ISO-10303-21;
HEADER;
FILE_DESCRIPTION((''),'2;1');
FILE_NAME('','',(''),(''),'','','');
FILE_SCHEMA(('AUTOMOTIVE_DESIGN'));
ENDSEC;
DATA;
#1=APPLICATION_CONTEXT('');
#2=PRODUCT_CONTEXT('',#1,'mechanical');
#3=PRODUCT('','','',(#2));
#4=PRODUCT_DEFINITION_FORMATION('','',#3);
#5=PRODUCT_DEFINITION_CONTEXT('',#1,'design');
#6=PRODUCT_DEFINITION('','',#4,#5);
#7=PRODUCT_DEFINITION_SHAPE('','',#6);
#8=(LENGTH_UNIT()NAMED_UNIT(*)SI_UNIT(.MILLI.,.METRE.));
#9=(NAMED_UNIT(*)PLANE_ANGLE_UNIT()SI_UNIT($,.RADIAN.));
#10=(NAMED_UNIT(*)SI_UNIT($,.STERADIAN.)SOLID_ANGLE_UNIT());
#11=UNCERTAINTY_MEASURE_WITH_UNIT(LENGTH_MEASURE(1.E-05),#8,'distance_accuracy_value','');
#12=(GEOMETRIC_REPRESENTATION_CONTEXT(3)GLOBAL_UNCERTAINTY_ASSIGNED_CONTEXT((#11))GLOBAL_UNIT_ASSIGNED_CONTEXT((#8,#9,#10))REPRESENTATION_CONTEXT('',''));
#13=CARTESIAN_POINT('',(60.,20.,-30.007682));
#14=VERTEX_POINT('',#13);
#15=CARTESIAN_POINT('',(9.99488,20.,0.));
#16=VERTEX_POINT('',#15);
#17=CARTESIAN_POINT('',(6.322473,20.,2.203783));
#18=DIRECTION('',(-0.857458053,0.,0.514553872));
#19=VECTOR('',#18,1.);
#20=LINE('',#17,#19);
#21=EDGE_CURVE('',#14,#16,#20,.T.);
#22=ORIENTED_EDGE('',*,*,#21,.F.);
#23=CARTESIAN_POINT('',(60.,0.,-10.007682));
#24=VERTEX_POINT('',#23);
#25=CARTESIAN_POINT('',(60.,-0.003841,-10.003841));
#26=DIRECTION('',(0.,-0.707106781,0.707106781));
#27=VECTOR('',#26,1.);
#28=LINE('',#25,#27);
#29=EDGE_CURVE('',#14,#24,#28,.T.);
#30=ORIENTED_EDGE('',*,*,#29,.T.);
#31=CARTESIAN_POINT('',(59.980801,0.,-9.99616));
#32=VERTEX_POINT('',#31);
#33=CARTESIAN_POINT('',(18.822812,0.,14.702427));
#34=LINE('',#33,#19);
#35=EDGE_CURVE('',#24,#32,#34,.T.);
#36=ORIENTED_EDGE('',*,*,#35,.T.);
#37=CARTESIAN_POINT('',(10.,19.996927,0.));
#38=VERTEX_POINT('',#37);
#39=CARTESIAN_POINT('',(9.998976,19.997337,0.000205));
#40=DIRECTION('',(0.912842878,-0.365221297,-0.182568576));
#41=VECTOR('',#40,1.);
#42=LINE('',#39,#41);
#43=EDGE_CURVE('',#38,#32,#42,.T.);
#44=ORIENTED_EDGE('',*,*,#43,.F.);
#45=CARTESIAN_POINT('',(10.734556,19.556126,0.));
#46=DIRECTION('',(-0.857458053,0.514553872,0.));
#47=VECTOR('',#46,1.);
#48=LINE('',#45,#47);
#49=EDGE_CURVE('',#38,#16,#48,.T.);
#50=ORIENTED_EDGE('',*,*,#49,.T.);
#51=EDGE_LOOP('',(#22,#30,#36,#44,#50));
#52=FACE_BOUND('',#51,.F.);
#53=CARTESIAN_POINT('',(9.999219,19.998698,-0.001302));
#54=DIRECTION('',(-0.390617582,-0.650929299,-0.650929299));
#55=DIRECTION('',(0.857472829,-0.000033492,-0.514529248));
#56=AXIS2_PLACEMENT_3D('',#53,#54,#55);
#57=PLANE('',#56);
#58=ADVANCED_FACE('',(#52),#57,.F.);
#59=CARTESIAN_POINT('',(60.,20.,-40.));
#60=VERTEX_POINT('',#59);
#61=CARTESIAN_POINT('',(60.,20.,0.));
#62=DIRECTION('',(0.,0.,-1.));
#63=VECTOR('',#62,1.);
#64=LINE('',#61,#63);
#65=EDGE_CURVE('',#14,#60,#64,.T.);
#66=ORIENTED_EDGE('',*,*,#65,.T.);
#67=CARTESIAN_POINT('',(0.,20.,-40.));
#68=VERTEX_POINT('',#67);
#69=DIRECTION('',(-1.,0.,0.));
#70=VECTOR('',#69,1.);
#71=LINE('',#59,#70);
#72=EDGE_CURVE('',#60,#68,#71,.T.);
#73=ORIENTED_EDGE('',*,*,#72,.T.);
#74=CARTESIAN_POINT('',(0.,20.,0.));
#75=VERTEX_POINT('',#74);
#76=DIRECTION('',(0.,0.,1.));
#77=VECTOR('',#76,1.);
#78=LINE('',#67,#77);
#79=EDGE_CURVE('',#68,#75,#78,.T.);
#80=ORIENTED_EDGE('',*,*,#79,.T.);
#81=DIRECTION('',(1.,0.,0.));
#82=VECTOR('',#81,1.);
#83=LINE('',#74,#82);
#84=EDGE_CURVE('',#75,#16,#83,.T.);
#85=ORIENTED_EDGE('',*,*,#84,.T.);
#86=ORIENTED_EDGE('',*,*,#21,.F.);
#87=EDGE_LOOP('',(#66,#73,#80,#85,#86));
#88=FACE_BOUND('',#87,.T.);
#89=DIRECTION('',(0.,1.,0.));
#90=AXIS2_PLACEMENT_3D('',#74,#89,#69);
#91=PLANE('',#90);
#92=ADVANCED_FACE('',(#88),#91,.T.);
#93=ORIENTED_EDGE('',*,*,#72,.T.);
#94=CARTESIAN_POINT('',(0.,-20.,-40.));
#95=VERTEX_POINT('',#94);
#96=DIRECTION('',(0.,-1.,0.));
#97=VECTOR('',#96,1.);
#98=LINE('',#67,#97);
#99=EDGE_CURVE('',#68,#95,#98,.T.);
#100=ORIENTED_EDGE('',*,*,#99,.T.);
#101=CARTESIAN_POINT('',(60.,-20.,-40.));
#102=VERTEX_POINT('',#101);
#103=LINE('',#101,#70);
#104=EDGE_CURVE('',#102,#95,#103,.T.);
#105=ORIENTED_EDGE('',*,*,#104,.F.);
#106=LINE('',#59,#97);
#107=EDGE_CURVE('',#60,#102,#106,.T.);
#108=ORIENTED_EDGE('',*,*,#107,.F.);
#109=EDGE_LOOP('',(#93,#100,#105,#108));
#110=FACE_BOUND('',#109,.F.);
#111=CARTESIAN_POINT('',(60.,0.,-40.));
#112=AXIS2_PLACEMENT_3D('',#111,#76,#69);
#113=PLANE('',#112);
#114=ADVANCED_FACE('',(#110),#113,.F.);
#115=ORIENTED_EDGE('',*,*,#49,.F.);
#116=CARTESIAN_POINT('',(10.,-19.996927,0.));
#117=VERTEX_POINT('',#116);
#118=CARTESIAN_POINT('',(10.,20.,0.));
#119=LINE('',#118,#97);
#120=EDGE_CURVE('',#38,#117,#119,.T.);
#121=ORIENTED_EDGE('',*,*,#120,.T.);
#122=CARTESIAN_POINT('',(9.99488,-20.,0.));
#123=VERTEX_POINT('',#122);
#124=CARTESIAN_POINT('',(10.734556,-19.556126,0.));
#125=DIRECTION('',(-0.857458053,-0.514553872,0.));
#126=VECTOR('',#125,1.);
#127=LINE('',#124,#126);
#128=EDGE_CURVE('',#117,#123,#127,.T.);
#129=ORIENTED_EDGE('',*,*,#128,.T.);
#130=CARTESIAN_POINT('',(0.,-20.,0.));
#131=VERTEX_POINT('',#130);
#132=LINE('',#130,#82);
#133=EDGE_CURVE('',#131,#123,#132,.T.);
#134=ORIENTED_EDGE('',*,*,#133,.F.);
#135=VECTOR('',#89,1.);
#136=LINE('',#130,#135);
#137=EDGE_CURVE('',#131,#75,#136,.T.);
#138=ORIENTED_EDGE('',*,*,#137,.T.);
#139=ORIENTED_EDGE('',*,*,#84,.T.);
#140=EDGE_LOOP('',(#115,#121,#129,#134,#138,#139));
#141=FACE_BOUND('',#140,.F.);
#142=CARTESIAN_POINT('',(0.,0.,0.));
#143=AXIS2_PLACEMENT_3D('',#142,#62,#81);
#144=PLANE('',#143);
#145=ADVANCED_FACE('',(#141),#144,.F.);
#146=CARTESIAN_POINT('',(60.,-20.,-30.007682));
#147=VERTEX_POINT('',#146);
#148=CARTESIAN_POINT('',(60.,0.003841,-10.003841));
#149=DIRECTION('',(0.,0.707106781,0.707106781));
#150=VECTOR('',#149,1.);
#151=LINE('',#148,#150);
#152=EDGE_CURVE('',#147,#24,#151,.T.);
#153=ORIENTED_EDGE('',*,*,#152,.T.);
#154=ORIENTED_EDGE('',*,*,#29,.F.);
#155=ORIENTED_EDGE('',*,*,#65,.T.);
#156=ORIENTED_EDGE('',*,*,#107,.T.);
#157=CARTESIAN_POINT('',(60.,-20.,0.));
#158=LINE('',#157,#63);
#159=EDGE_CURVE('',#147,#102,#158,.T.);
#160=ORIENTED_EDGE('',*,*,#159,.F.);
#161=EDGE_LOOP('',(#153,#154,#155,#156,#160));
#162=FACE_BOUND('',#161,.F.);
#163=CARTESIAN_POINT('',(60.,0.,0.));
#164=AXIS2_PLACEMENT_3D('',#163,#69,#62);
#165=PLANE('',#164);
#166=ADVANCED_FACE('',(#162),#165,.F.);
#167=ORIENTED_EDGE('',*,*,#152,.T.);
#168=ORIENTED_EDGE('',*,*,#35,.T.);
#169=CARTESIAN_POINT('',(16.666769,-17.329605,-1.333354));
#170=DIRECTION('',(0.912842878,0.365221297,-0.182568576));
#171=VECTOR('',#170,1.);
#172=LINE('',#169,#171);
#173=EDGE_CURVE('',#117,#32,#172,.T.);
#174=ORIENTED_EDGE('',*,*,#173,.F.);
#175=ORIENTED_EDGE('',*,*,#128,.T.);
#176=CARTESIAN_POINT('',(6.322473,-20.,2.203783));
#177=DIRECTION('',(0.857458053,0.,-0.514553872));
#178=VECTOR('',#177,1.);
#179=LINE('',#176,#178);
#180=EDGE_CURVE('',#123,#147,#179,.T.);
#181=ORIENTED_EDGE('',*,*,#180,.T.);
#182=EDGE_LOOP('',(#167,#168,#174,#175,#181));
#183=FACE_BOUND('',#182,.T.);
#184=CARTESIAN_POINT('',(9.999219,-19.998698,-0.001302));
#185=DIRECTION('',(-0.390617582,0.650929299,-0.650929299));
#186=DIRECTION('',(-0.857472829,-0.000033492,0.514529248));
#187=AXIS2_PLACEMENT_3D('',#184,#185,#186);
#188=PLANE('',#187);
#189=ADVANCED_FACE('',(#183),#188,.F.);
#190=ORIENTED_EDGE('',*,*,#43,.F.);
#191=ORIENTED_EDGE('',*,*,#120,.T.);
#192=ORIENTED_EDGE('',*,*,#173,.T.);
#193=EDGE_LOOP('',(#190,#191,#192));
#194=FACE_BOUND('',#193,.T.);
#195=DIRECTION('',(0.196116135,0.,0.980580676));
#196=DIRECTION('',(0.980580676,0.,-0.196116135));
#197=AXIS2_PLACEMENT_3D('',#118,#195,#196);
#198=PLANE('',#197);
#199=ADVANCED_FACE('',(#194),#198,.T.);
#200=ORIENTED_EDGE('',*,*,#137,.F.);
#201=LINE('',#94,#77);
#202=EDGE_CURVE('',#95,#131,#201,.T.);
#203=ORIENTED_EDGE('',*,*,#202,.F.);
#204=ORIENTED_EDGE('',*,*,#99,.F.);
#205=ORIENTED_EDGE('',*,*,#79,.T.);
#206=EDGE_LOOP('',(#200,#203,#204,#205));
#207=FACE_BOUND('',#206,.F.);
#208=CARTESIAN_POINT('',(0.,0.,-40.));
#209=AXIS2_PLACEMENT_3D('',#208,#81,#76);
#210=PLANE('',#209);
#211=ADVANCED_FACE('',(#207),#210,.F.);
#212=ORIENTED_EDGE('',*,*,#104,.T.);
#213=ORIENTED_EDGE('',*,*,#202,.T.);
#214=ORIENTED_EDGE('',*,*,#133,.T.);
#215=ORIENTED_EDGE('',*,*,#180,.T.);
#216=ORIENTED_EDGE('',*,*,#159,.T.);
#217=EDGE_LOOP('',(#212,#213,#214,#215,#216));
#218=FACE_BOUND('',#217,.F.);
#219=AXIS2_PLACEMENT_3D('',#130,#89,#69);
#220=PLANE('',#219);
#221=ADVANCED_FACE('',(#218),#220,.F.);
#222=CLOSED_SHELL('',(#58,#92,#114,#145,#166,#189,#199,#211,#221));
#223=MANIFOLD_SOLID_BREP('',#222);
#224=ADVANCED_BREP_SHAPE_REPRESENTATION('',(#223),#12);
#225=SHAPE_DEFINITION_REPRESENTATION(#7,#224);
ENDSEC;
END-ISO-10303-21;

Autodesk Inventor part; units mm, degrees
ref_plane "YZ Plane" through (0, 0, 0) normal (1, 0, 0) x (0, 1, 0)
ref_plane "XZ Plane" through (0, 0, 0) normal (0, 1, 0) x (-1, 0, 0)
sketch "草圖1" plane through (0, 0, 0) normal (0, 1, 0) x (-1, 0, 0)
  line L0 (0, 0) -> (-60, 0)
  line L1 (-60, 0) -> (-60, -40)
  line L2 (-60, -40) -> (0, -40)
  line L3 (0, -40) -> (0, 0)
  dimension "d0" = 60
  dimension "d1" = 40
extrude "擠出1" add sketch "草圖1" along normal mid plane 40
sketch "草圖2" plane through (0, 20, 0) normal (0, 1, 0) x (1, 0, 0)
  line L0 (0, 0) -> (60, 0) projected
  line L1 (10, 0) -> (60, 10)
  line L2 (60, 0) -> (60, 40) projected
  dimension "d4" = 10
  dimension "d5" = 30
extrude "擠出2" cut sketch "草圖2" against normal blind 40
sketch "草圖3" plane through (60, -20, -40) normal (1, 0, 0) x (0, 0, -1)
  line L0 (-30, 20) -> (-10, 40)
  line L1 (0, 40) -> (-40, 40) projected
  line L2 (-30, 40) -> (-30, 0) projected
  point P0 (-40, 20)
  dimension "d8" = 20
  dimension "d9" = 20
ref_plane "工作平面1" through (10, 20, 0) normal (-0.3906, -0.6509, -0.6509) x (0.8575, 0, -0.5145)
sketch "草圖4" plane through (10, 20, 0) normal (-0.3906, -0.6509, -0.6509) x (0.8575, 0, -0.5145)
  line L0 (-15.1543, -12.3218) -> (93.717, -12.3218)
  line L1 (93.717, -12.3218) -> (93.717, 28.8166)
  line L2 (93.717, 28.8166) -> (-15.1543, 28.8166)
  line L3 (-15.1543, 28.8166) -> (-15.1543, -12.3218)
  point P0 (-8.5749, 11.8334)
extrude "擠出3" cut sketch "草圖4" against normal blind 40
mirror "鏡射1" about plane through (0, 0, 0) normal (0, 1, 0) of "擠出3"
properties part number "16"
